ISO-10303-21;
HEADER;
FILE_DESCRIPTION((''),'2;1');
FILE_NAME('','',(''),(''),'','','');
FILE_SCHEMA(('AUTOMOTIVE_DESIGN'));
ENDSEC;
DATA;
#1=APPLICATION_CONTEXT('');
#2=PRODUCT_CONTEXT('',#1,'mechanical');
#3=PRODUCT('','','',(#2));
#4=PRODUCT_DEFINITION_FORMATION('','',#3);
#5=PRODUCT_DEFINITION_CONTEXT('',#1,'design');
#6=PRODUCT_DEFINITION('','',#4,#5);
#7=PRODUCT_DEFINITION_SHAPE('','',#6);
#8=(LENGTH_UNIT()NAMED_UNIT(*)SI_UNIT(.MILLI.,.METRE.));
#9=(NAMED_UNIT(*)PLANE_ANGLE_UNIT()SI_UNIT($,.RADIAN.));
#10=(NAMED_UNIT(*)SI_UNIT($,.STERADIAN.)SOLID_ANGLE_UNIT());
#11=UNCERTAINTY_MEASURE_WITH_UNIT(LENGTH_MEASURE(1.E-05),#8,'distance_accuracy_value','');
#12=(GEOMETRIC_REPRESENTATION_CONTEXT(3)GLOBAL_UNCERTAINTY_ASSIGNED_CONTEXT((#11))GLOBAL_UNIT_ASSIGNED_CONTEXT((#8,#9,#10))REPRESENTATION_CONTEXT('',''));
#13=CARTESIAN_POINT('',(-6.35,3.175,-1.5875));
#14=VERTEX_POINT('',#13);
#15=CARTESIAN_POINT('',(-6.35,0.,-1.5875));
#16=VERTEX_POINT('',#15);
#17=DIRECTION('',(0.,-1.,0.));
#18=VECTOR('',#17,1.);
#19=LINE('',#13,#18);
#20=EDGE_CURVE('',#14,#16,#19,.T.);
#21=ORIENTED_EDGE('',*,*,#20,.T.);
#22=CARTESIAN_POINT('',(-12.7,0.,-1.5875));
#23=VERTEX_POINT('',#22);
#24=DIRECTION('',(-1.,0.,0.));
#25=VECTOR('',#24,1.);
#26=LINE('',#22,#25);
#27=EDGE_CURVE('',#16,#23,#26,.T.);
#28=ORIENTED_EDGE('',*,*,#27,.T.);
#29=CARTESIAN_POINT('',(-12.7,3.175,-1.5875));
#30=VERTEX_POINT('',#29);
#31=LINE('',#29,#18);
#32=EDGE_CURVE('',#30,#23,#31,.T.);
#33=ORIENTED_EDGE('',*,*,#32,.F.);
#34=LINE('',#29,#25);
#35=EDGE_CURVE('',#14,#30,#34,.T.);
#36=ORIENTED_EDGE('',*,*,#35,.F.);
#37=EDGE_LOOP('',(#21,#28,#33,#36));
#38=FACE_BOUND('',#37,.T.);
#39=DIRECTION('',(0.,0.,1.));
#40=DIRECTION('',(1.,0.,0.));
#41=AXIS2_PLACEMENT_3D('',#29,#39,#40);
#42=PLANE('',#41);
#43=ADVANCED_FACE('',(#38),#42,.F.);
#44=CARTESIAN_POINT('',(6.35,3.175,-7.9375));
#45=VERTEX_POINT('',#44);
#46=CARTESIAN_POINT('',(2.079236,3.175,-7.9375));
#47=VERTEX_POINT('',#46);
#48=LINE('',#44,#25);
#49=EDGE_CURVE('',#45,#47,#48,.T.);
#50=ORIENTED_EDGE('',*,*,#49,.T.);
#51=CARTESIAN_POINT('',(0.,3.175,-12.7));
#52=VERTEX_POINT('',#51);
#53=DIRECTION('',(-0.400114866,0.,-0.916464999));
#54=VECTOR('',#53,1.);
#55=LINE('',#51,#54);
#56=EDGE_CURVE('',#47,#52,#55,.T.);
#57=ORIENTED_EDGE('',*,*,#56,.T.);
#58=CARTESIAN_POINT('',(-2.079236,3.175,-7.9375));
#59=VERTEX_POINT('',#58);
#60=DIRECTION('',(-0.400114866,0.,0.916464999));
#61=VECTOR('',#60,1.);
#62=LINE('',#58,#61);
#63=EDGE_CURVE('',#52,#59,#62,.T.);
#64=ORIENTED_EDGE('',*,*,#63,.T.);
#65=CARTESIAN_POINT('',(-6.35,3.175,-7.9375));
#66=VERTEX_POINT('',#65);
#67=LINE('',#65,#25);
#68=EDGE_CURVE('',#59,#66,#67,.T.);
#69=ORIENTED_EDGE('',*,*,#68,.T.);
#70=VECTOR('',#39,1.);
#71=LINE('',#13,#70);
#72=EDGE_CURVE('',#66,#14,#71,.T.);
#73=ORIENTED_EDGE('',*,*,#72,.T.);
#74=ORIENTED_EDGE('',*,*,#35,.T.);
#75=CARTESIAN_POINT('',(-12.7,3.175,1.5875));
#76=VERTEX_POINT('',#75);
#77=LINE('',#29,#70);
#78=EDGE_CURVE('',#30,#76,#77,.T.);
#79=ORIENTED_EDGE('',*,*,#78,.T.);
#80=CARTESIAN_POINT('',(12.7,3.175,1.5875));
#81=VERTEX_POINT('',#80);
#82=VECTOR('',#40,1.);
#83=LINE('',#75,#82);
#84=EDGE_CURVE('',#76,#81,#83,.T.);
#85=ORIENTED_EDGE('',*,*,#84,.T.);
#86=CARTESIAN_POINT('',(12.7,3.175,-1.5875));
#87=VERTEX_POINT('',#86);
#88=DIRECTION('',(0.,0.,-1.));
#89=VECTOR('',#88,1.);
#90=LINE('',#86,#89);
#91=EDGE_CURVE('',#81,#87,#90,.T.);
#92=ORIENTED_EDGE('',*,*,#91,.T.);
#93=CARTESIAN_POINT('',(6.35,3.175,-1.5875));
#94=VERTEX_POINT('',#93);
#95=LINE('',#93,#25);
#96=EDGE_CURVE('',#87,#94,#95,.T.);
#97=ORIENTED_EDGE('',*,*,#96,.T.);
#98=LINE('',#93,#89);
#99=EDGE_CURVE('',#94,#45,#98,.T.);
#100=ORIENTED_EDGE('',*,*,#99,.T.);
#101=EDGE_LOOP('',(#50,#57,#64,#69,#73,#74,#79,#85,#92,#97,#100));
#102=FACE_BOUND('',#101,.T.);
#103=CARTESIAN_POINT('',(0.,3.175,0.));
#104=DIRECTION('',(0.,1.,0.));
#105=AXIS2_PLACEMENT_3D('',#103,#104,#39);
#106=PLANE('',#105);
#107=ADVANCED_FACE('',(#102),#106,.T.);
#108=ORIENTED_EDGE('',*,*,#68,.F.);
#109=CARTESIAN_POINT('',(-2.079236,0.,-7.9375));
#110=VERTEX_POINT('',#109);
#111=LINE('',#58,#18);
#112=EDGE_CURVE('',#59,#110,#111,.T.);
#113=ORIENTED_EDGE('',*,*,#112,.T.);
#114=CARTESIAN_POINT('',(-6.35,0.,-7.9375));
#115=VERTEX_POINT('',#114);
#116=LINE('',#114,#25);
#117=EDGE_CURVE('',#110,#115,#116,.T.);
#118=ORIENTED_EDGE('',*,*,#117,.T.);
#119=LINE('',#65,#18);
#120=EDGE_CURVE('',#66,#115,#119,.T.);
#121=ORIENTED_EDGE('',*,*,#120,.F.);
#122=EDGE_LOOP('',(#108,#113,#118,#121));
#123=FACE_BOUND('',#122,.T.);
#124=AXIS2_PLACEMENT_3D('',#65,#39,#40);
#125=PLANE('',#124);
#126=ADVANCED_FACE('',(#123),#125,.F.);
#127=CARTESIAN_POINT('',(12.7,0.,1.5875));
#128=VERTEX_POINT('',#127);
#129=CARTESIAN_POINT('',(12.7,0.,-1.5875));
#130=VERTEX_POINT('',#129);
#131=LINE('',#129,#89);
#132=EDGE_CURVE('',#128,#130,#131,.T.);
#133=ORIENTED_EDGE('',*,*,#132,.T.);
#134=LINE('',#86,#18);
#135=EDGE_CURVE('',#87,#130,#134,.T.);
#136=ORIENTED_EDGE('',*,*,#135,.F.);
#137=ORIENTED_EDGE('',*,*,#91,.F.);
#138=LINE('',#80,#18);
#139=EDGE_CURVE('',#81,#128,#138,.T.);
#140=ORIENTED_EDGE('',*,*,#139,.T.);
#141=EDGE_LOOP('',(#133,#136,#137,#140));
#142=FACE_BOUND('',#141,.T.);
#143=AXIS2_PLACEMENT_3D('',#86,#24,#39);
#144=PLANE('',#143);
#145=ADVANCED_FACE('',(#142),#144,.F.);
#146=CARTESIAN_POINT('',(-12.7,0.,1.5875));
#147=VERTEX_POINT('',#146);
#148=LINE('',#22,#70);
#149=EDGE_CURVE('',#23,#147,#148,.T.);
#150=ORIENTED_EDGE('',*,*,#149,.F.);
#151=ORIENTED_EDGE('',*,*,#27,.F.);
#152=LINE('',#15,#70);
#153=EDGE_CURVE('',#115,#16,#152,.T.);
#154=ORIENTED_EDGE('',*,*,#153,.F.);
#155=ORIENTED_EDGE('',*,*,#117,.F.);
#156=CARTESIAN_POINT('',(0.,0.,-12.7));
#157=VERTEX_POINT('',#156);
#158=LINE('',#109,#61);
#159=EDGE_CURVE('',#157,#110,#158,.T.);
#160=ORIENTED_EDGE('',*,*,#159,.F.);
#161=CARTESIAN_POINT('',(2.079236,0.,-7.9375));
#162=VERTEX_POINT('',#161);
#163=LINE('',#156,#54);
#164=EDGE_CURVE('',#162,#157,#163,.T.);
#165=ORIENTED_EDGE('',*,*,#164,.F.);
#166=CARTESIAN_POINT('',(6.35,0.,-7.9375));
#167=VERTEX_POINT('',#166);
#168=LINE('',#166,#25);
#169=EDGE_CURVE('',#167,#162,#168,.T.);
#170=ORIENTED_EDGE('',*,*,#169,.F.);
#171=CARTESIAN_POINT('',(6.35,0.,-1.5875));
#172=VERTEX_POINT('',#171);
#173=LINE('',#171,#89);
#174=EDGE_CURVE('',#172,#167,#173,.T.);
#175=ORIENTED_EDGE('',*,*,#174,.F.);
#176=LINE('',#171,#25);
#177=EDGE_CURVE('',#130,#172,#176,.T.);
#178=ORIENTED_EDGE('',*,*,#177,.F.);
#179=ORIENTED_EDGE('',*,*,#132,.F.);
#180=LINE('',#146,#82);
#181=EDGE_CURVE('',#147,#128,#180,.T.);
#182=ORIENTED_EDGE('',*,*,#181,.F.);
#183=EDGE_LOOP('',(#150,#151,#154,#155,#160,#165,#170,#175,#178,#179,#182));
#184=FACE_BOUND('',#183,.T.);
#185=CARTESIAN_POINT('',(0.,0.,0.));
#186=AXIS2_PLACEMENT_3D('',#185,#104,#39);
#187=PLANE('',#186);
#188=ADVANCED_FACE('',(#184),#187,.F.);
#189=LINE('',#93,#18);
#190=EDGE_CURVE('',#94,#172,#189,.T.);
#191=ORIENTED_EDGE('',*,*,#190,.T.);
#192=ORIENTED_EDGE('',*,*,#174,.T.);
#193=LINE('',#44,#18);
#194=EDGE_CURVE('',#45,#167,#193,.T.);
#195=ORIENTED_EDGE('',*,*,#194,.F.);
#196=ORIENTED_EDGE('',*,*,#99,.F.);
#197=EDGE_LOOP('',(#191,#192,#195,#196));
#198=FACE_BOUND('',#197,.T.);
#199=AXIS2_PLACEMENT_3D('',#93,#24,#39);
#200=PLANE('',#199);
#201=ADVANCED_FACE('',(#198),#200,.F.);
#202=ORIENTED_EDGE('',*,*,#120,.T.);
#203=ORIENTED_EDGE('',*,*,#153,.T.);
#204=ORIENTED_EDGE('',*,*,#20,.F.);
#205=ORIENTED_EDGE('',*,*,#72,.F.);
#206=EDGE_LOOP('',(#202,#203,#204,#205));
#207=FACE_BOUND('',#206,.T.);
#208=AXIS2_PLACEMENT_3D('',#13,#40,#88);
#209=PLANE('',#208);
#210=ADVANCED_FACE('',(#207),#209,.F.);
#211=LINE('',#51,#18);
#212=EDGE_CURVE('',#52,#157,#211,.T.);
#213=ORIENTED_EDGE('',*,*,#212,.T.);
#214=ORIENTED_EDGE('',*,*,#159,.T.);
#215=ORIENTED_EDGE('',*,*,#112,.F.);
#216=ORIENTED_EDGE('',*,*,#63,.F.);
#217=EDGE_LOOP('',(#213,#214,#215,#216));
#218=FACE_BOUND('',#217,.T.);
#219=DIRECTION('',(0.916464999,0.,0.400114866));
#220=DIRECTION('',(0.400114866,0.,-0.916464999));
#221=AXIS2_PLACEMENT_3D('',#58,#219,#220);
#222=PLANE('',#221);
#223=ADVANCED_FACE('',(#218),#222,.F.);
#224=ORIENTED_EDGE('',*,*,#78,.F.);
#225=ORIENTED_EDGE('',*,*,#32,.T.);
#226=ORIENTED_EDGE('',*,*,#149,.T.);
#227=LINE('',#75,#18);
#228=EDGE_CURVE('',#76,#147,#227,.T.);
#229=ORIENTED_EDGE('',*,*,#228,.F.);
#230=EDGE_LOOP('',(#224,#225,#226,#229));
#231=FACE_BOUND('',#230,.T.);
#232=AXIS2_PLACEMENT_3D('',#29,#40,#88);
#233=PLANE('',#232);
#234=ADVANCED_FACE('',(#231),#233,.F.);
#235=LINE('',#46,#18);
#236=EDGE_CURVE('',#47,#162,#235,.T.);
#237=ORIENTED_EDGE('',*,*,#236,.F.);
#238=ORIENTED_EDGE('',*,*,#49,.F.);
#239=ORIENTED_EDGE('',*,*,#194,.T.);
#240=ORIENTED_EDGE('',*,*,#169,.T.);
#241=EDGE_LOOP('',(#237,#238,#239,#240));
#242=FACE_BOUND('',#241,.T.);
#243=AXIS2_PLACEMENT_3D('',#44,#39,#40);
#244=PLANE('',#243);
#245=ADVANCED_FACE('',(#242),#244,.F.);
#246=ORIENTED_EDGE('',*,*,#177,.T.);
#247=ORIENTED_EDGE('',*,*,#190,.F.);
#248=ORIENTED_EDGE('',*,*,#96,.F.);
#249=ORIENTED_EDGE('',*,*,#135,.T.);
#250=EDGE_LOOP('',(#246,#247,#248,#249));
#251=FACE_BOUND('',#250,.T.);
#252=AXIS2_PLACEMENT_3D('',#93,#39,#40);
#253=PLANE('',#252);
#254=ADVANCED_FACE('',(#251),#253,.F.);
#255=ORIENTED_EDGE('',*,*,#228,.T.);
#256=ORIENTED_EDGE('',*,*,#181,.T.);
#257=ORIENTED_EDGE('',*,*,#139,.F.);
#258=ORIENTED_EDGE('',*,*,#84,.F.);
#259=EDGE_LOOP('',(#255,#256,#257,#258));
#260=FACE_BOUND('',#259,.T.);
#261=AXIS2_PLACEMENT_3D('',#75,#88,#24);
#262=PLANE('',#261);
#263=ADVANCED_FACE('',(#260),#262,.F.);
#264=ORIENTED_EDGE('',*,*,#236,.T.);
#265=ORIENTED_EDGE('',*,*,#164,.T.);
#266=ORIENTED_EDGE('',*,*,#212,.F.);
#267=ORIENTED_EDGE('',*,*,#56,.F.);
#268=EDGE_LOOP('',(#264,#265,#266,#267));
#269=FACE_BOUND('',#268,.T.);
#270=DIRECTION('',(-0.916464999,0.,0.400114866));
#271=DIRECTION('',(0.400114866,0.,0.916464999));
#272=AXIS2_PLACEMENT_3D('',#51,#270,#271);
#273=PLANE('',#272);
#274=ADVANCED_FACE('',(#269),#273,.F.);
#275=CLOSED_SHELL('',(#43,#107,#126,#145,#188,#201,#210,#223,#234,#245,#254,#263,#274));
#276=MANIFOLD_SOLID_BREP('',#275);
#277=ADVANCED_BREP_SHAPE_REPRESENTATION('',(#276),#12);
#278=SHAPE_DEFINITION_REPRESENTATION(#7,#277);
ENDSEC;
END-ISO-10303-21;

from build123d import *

# Parameters (mm, degrees)
BOSS_EXTRUDE1_DEPTH = 3.175


with BuildPart() as part:
    # Sketch1 → Boss-Extrude1 (new body)
    with BuildSketch(Plane(origin=(0, 0, 0), x_dir=(1, 0, 0), z_dir=(0, 1, 0))):
        Polygon((-12.7, 1.5875), (-6.35, 1.5875), (-6.35, 7.9375), (-2.079236033, 7.9375), (0, 12.7), (2.079236033, 7.9375), (6.35, 7.9375), (6.35, 1.5875), (12.7, 1.5875), (12.7, -1.5875), (-12.7, -1.5875), align=None)
    extrude(amount=BOSS_EXTRUDE1_DEPTH)


solid = part.part
